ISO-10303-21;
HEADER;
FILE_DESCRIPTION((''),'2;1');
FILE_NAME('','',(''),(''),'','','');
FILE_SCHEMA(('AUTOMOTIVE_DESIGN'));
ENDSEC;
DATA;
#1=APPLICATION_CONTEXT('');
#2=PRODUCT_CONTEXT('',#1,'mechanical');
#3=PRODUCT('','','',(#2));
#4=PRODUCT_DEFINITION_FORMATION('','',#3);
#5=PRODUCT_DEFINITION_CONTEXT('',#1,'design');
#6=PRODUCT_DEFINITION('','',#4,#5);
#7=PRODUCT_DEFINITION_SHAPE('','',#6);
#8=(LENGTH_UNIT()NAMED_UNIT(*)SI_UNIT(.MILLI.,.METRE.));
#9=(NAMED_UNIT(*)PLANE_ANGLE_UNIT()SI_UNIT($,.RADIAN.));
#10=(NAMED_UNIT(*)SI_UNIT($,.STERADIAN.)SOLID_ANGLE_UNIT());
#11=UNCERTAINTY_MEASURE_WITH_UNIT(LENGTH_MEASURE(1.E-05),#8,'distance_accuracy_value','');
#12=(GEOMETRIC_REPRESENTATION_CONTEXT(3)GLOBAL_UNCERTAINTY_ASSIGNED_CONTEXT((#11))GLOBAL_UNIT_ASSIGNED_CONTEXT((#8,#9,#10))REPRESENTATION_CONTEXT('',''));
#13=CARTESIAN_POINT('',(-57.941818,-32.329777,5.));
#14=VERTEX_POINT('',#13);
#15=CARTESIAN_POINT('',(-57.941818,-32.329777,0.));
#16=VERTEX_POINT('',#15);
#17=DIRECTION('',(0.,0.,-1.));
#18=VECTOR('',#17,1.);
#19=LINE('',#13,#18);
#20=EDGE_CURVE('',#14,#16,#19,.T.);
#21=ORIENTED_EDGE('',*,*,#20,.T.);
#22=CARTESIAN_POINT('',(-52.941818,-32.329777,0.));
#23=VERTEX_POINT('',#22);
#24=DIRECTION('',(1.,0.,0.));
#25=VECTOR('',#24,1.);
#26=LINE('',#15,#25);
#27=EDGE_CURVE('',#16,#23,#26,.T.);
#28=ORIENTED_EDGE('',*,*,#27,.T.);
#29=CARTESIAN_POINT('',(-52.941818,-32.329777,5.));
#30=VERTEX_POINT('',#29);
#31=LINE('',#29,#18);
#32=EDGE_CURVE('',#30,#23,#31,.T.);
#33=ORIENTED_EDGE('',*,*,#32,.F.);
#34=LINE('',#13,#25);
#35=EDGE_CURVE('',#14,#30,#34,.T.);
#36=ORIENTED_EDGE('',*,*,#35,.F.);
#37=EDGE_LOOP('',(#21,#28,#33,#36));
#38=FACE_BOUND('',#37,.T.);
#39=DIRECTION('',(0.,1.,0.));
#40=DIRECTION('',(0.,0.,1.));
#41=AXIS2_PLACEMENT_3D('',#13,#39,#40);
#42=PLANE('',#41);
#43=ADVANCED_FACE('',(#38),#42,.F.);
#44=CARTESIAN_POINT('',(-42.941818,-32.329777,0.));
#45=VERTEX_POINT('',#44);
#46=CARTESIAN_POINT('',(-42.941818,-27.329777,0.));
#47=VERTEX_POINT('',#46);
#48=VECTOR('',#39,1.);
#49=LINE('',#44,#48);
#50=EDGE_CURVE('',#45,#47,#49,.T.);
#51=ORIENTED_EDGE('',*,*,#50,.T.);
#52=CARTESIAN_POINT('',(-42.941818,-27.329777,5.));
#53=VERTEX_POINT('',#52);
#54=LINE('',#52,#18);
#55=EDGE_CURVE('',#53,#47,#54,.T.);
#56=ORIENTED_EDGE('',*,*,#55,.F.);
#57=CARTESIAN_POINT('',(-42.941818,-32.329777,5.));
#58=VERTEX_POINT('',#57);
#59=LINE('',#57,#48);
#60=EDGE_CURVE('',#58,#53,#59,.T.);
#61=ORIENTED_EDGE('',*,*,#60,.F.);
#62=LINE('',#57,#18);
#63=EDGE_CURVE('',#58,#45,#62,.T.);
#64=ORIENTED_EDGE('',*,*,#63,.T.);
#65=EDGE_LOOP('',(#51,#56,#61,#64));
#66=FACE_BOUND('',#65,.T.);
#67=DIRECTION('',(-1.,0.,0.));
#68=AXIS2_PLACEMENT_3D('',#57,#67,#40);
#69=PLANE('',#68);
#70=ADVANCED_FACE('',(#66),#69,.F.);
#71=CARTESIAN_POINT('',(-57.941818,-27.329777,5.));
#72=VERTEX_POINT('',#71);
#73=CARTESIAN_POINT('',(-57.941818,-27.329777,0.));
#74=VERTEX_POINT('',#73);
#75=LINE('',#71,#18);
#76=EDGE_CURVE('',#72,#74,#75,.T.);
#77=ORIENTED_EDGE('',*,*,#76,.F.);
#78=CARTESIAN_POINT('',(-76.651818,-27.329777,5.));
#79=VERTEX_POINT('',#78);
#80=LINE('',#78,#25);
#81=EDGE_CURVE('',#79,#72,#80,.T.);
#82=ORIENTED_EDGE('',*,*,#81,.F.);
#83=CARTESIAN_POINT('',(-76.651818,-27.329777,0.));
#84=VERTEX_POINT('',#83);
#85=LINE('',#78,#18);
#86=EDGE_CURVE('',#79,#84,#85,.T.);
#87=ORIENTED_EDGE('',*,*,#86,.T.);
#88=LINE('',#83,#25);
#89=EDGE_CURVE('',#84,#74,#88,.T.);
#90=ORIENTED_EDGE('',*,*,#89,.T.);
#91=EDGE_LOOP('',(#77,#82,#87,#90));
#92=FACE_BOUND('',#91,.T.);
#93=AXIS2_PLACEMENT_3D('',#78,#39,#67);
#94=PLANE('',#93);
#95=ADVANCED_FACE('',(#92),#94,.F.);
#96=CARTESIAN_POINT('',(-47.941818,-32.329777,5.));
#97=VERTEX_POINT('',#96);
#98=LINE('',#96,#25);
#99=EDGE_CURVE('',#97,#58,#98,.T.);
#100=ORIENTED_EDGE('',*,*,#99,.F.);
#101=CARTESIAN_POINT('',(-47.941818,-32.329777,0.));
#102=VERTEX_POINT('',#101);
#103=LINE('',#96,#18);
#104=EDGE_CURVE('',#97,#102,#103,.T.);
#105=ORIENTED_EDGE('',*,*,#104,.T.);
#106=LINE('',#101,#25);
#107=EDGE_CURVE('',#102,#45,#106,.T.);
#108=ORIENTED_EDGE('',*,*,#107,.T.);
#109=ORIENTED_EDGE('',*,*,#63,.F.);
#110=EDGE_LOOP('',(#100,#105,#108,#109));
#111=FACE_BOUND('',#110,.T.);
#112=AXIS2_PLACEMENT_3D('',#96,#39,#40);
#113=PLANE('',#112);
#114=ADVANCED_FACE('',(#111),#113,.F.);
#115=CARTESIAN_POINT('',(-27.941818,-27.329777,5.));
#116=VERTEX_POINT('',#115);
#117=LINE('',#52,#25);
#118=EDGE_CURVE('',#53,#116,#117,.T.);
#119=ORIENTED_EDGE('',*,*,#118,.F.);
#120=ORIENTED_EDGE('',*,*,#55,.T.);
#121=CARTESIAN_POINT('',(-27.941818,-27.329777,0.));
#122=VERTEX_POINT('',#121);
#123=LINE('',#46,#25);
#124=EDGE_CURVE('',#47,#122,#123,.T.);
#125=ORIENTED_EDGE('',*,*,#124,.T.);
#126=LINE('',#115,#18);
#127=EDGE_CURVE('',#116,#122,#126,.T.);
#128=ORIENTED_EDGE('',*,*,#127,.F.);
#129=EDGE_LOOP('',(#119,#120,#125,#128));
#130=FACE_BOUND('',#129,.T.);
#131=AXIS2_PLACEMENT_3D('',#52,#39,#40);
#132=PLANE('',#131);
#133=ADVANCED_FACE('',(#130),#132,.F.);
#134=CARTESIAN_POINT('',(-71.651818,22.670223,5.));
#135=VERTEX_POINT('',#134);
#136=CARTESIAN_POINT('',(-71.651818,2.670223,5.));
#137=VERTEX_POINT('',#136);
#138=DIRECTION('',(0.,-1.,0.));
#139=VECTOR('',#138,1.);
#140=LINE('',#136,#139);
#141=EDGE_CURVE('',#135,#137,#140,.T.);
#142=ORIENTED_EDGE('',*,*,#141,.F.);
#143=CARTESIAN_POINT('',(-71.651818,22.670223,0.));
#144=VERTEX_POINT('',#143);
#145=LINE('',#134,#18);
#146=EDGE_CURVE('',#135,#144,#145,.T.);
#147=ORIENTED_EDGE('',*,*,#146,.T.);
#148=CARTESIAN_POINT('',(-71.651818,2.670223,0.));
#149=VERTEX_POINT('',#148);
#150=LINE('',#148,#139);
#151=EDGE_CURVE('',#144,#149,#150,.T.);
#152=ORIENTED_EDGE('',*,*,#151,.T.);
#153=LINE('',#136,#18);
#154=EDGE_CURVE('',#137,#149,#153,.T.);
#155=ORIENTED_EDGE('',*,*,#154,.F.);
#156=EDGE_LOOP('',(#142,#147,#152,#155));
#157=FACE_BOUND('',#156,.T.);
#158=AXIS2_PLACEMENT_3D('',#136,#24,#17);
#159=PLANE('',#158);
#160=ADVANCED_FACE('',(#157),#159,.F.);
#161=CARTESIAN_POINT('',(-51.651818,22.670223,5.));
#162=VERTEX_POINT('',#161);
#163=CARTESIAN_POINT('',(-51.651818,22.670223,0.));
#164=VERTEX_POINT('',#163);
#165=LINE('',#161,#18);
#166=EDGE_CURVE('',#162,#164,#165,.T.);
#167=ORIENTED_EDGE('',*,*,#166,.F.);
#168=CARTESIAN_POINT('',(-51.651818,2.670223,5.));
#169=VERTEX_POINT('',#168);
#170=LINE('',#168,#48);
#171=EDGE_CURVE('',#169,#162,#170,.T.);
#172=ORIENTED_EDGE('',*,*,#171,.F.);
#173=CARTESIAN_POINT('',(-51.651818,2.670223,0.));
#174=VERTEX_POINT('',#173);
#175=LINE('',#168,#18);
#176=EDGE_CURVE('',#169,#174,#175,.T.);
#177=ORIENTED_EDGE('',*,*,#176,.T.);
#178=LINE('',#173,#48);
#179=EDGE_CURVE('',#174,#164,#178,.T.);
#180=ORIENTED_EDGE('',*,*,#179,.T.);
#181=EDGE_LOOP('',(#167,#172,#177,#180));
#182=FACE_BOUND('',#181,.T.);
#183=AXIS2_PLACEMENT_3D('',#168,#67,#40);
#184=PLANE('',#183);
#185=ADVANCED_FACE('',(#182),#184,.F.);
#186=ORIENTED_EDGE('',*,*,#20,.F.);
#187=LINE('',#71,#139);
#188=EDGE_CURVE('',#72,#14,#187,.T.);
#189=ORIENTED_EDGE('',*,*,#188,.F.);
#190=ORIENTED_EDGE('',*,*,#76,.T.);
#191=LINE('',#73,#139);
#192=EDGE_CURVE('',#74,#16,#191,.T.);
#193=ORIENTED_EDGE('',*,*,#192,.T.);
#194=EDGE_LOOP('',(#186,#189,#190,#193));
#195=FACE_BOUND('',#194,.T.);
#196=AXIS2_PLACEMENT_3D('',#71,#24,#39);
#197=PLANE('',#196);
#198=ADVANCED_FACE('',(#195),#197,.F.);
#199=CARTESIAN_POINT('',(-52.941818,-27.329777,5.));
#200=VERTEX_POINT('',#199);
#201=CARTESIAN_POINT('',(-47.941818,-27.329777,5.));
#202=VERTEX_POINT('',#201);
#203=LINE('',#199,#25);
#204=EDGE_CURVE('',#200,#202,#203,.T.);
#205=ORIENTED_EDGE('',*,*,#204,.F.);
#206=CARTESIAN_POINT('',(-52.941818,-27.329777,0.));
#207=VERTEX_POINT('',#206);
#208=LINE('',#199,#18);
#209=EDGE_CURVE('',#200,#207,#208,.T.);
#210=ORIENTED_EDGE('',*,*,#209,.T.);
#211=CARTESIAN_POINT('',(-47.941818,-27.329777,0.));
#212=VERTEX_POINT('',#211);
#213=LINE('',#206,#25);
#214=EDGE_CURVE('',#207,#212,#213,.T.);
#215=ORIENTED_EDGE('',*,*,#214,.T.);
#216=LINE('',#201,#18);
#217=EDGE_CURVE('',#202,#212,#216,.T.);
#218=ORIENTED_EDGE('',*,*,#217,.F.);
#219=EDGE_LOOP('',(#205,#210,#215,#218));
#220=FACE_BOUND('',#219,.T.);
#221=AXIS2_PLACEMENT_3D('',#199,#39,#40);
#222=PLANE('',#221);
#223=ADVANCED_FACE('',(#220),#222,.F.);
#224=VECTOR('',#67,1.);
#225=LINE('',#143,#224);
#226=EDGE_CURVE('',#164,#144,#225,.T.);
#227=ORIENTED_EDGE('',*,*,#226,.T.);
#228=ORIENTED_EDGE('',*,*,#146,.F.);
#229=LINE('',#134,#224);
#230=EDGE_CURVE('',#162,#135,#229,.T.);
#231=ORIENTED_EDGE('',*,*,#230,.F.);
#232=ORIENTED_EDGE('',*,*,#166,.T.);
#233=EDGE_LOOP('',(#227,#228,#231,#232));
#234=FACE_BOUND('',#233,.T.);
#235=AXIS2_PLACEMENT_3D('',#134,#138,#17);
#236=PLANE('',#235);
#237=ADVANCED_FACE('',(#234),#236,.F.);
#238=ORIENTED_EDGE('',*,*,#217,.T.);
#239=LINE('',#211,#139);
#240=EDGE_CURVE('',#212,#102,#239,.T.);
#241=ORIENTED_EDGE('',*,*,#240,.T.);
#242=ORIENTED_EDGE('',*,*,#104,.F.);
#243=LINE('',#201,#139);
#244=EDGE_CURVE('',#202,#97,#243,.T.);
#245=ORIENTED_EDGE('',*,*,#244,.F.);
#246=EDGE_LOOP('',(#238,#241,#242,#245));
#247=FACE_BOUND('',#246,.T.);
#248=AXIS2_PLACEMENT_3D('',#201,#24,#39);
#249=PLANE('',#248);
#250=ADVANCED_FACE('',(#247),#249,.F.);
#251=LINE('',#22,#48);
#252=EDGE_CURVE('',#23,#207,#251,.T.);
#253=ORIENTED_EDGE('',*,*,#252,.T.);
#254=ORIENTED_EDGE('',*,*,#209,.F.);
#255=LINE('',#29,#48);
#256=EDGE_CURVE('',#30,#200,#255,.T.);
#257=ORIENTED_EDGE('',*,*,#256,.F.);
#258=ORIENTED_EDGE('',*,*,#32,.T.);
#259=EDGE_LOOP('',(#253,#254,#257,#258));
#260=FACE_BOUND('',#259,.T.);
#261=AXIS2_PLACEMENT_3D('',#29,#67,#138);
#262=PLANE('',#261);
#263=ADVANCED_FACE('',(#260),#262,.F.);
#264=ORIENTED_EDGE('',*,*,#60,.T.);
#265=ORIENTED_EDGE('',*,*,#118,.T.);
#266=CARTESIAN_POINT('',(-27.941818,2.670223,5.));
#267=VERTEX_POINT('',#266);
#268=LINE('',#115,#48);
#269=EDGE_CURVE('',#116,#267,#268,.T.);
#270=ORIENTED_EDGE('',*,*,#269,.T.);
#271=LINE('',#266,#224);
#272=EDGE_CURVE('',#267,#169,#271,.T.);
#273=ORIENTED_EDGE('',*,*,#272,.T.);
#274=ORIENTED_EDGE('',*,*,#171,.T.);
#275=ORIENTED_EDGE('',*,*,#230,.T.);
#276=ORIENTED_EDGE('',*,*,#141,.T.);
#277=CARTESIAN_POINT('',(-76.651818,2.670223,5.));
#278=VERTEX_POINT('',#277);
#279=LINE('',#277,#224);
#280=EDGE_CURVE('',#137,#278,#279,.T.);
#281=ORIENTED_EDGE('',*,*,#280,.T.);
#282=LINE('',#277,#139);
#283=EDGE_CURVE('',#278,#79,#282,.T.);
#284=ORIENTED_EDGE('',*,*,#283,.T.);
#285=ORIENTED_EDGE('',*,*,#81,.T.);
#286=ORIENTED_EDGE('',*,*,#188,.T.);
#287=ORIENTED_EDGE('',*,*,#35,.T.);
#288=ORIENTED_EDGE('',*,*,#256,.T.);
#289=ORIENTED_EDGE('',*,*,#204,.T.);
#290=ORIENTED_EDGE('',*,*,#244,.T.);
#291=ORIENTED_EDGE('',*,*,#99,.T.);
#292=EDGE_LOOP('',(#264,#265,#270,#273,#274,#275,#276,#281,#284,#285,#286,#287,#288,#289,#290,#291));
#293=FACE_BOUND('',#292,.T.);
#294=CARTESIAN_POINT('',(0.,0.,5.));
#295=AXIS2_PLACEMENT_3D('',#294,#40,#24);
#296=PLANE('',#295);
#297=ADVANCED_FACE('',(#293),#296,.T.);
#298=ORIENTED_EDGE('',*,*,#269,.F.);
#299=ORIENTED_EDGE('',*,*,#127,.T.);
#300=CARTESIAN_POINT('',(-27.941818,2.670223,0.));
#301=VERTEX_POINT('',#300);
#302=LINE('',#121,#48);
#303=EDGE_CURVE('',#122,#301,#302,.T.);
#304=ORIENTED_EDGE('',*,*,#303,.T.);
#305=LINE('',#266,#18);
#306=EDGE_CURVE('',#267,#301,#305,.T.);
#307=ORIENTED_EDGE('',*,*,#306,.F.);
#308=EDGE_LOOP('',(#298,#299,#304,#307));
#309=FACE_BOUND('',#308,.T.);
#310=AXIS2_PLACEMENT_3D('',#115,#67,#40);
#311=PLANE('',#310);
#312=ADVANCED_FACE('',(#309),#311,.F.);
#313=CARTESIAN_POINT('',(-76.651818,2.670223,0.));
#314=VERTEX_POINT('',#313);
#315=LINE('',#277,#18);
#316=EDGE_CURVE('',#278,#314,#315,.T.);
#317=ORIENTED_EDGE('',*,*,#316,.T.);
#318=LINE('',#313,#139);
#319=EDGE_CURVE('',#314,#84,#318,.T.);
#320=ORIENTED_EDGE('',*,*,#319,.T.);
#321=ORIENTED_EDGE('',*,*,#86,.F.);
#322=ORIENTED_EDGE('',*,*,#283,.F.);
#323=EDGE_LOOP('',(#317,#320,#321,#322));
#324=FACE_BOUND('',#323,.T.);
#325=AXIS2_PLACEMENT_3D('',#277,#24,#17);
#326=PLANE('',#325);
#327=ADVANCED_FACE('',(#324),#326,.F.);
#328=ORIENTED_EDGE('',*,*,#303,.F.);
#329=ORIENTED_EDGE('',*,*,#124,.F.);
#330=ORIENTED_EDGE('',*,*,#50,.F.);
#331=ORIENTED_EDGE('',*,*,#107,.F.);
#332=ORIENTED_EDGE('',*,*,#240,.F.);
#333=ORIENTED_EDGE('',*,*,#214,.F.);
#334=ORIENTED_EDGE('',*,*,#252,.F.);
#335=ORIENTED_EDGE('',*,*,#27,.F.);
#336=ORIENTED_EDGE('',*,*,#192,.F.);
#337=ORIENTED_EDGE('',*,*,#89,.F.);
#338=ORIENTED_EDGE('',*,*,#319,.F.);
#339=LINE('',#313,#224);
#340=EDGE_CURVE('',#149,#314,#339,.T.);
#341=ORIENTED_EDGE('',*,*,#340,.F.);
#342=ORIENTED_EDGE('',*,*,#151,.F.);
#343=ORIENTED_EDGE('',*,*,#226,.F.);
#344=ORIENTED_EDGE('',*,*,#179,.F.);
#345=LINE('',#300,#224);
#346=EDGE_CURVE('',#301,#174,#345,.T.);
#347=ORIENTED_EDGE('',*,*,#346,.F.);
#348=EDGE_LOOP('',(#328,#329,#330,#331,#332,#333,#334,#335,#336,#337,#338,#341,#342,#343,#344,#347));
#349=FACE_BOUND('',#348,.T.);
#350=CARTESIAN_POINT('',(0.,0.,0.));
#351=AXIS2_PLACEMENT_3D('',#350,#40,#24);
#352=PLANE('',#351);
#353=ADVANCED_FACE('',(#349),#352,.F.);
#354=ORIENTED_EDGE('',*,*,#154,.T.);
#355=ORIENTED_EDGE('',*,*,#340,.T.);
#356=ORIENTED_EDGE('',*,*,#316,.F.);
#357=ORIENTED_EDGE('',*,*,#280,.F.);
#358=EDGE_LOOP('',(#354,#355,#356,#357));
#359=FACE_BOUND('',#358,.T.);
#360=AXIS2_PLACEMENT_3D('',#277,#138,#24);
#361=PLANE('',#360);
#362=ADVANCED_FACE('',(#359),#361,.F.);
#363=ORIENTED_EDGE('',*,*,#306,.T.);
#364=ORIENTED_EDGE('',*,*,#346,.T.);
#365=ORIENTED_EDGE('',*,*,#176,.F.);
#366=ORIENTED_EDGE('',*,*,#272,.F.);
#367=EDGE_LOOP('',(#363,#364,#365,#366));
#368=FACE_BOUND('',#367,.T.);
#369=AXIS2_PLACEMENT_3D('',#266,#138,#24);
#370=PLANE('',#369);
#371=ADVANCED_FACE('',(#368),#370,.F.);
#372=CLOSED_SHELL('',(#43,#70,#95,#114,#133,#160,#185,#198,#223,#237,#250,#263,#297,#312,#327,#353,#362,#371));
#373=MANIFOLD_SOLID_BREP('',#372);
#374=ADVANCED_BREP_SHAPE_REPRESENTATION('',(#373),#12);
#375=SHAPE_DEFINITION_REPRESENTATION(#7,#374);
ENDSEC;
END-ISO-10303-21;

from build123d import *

# Parameters (mm, degrees)
BOSS_EXTRU_1_DEPTH = 5


with BuildPart() as part:
    # Esquisse1 → Boss.-Extru.1 (new body)
    with BuildSketch(Plane.XY):
        Polygon((-76.651818028, 2.670222797), (-71.651818028, 2.670222797), (-71.651818028, 22.670222797), (-51.651818028, 22.670222797), (-51.651818028, 2.670222797), (-27.941818028, 2.670222797), (-27.941818028, -27.329777203), (-42.941818028, -27.329777203), (-42.941818028, -32.329777203), (-47.941818028, -32.329777203), (-47.941818028, -27.329777203), (-52.941818028, -27.329777203), (-52.941818028, -32.329777203), (-57.941818028, -32.329777203), (-57.941818028, -27.329777203), (-76.651818028, -27.329777203), align=None)
    extrude(amount=BOSS_EXTRU_1_DEPTH)


solid = part.part
